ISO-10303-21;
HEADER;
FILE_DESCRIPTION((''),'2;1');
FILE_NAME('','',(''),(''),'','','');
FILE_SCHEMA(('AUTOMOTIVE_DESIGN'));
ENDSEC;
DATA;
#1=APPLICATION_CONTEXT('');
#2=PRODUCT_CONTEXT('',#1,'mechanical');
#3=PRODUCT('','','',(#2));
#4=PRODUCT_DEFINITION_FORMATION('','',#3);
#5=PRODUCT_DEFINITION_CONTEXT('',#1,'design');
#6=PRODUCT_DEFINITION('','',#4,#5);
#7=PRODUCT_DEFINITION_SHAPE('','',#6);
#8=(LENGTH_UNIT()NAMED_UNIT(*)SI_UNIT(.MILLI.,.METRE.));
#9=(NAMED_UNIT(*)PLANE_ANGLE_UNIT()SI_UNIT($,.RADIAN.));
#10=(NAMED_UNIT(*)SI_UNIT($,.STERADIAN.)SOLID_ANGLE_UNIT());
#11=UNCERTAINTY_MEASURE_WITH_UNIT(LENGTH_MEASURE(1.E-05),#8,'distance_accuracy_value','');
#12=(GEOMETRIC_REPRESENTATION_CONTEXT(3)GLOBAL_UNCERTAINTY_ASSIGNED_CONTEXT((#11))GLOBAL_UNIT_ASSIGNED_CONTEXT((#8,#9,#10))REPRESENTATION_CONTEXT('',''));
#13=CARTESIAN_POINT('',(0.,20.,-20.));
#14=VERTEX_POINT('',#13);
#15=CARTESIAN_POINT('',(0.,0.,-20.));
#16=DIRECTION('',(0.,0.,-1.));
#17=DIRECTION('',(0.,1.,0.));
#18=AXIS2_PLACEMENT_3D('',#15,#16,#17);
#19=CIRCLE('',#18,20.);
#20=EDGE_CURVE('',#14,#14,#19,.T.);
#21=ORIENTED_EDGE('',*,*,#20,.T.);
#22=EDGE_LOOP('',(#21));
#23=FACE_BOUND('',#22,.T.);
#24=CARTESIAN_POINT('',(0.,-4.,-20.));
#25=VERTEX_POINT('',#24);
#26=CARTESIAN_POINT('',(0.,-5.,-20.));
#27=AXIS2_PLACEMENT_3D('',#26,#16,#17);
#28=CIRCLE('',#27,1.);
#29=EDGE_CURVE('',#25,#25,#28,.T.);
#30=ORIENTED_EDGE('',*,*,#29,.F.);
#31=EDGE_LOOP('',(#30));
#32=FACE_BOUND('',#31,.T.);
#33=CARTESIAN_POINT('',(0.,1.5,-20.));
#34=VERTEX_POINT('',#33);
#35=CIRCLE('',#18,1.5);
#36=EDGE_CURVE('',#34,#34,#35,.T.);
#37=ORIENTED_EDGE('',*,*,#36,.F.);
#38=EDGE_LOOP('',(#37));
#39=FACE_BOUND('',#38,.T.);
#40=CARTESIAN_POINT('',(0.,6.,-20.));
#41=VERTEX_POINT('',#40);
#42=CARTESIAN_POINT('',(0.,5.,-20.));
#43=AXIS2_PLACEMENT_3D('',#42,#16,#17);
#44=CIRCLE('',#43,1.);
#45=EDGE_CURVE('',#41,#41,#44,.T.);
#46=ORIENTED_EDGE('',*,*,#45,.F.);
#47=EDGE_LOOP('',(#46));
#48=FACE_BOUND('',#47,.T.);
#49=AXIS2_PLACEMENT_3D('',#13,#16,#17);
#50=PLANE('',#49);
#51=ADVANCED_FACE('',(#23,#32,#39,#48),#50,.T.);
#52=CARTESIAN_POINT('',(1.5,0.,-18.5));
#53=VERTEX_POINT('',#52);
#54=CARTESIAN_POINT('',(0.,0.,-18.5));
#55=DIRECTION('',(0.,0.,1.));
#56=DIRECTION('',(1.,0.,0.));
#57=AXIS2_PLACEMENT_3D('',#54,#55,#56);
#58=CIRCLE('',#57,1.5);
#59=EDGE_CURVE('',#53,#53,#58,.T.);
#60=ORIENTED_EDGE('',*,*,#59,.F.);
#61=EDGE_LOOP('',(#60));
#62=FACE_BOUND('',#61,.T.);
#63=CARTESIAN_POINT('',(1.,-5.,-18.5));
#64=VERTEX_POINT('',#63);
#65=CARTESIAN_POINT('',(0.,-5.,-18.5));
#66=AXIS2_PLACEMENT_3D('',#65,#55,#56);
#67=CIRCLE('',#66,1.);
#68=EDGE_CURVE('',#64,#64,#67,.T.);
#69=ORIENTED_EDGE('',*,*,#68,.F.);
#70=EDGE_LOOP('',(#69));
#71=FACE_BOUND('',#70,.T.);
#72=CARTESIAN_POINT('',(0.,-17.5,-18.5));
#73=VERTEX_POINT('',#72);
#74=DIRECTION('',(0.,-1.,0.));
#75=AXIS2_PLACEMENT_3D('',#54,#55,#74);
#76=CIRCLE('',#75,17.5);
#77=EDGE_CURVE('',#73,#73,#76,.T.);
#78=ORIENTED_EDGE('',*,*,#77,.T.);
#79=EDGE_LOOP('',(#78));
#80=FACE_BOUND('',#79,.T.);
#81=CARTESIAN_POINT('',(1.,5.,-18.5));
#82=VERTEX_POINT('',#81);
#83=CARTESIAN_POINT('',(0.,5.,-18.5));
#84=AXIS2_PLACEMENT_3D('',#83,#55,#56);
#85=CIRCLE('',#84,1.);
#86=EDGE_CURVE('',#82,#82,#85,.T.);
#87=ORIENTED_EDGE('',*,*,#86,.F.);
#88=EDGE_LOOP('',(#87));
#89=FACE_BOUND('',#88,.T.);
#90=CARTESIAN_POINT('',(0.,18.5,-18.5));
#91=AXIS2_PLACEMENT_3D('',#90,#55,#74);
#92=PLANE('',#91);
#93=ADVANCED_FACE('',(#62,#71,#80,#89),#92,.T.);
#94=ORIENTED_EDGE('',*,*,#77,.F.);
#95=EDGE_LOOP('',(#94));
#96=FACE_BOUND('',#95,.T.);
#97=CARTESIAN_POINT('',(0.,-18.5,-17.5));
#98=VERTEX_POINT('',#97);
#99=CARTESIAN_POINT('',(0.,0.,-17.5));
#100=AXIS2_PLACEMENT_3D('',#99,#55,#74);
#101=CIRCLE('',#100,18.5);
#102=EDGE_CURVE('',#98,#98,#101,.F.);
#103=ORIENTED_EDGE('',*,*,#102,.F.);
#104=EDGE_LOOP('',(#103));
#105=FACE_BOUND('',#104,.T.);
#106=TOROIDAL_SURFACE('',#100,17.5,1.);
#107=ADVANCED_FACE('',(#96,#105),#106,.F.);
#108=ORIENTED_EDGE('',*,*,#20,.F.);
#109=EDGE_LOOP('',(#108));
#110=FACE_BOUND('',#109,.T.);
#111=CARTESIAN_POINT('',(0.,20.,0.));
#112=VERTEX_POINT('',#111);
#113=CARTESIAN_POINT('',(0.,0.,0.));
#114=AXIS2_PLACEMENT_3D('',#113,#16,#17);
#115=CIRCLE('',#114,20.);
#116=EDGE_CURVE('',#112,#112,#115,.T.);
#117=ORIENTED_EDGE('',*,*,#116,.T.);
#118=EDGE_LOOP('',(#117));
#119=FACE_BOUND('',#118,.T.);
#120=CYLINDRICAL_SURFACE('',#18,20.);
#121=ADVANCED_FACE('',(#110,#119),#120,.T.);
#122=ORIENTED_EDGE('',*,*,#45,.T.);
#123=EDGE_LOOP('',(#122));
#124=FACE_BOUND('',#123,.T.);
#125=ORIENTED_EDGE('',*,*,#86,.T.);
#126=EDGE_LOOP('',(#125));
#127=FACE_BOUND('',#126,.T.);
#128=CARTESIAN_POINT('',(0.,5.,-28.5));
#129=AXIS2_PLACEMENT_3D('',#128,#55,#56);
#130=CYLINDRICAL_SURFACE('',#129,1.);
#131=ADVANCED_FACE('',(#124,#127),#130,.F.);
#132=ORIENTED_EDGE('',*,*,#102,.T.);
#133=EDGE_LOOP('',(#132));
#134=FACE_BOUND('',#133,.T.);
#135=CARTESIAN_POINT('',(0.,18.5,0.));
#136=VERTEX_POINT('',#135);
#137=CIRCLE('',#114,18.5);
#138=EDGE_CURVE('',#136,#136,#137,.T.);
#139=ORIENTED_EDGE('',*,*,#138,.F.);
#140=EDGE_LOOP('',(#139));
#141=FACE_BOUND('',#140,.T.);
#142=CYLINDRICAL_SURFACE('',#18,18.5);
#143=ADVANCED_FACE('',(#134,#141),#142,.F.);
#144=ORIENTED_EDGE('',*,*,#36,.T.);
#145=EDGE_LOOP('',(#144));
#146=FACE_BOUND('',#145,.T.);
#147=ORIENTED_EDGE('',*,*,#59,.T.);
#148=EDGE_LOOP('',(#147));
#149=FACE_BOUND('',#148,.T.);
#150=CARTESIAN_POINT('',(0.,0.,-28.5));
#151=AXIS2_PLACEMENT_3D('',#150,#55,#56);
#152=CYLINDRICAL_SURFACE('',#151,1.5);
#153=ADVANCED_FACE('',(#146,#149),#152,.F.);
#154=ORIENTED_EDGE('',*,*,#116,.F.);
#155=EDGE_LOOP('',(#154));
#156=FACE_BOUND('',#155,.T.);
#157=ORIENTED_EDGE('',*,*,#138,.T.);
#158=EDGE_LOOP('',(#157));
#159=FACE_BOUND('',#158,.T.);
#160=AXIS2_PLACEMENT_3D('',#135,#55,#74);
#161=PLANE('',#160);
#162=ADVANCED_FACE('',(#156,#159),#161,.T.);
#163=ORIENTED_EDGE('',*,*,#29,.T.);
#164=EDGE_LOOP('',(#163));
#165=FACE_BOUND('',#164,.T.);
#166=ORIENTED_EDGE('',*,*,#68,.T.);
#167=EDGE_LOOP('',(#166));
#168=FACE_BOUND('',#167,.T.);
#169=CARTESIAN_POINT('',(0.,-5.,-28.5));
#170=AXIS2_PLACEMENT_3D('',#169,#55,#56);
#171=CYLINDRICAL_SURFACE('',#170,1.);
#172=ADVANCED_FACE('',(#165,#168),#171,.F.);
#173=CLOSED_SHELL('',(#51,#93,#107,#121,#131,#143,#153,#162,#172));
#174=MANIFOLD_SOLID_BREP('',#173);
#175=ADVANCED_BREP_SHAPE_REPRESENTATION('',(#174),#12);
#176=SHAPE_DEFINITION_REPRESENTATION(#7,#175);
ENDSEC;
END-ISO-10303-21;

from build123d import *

# Parameters (mm, degrees)
SKETCH1_R           = 10
SKETCH1_R_2         = 2.65
BOSS_EXTRUDE1_DEPTH = 1
SKETCH2_R           = 10
SKETCH4_R           = 20
SKETCH3_R           = 30
SKETCH5_R           = 11.5
SKETCH5_R_2         = 10
BOSS_EXTRUDE2_DEPTH = 1
SKETCH10_R          = 51.016643615
CUT_EXTRUDE2_DEPTH  = 70
FILLET1_R           = 1
SKETCH12_R          = 1
SKETCH12_R_2        = 1.5
CUT_EXTRUDE4_DEPTH  = 10


with BuildPart() as part:
    # Sketch1 → Boss-Extrude1 (new body)
    with BuildSketch(Plane.XY):
        Circle(SKETCH1_R)
        with Locations((0, 6)):
            Circle(SKETCH1_R_2, mode=Mode.SUBTRACT)
        with Locations((5.706339098, 1.854101966)):
            Circle(SKETCH1_R_2, mode=Mode.SUBTRACT)
        with Locations((3.526711514, -4.854101966)):
            Circle(SKETCH1_R_2, mode=Mode.SUBTRACT)
        with Locations((-3.526711514, -4.854101966)):
            Circle(SKETCH1_R_2, mode=Mode.SUBTRACT)
        with Locations((-5.706339098, 1.854101966)):
            Circle(SKETCH1_R_2, mode=Mode.SUBTRACT)
    extrude(amount=BOSS_EXTRUDE1_DEPTH)



with BuildPart() as body_2:
    # Sketch2 → Loft-Thin1 section 0
    with BuildSketch(Plane.XY.offset(1)):
        Circle(SKETCH2_R)
    # Sketch4 → Loft-Thin1 section 1
    with BuildSketch(Plane.XY.offset(15)):
        Circle(SKETCH4_R)
    # Sketch3 → Loft-Thin1 section 2
    with BuildSketch(Plane.XY.offset(45)):
        Circle(SKETCH3_R)
    loft()


with BuildPart() as part_1:
    add(part.part)

    add(body_2.part)  # Boss-Extrude2 merges body 2
    # Sketch5 → Boss-Extrude2 (add)
    with BuildSketch(Plane(origin=(0, 0, 0), x_dir=(-1, 0, 0), z_dir=(0, 0, -1))):
        Circle(SKETCH5_R)
        Circle(SKETCH5_R_2, mode=Mode.SUBTRACT)
    extrude(amount=-BOSS_EXTRUDE2_DEPTH)

    # Sketch10 → Cut-Extrude2 (cut)
    with BuildSketch(Plane.XY):
        Circle(SKETCH10_R)
    extrude(amount=CUT_EXTRUDE2_DEPTH, mode=Mode.SUBTRACT)


with BuildPart() as body_2_2:
    # Sketch8 → Revolve1 (revolve)
    with BuildSketch(Plane(origin=(0, 0, 0), x_dir=(0, 0, -1), z_dir=(1, 0, 0))):
        Polygon((0, 18.5), (18.5, 18.5), (18.5, 0), (20, 0), (20, 20), (0, 20), align=None)
    revolve(axis=Axis((0, 0, -20), (0, 0, 1)))

    # Fillet1
    fillet1_edges = [body_2_2.edges().sort_by_distance(p)[0] for p in [
        (0, -18.5, -18.5),
    ]]
    fillet(fillet1_edges, radius=FILLET1_R)

    # Sketch12 → Cut-Extrude4 (cut)
    with BuildSketch(Plane.XY.offset(-18.5)):
        with Locations((0, 5)):
            Circle(SKETCH12_R)
        with Locations((0, -5)):
            Circle(SKETCH12_R)
        Circle(SKETCH12_R_2)
    extrude(amount=-CUT_EXTRUDE4_DEPTH, mode=Mode.SUBTRACT)


solid = body_2_2.part
